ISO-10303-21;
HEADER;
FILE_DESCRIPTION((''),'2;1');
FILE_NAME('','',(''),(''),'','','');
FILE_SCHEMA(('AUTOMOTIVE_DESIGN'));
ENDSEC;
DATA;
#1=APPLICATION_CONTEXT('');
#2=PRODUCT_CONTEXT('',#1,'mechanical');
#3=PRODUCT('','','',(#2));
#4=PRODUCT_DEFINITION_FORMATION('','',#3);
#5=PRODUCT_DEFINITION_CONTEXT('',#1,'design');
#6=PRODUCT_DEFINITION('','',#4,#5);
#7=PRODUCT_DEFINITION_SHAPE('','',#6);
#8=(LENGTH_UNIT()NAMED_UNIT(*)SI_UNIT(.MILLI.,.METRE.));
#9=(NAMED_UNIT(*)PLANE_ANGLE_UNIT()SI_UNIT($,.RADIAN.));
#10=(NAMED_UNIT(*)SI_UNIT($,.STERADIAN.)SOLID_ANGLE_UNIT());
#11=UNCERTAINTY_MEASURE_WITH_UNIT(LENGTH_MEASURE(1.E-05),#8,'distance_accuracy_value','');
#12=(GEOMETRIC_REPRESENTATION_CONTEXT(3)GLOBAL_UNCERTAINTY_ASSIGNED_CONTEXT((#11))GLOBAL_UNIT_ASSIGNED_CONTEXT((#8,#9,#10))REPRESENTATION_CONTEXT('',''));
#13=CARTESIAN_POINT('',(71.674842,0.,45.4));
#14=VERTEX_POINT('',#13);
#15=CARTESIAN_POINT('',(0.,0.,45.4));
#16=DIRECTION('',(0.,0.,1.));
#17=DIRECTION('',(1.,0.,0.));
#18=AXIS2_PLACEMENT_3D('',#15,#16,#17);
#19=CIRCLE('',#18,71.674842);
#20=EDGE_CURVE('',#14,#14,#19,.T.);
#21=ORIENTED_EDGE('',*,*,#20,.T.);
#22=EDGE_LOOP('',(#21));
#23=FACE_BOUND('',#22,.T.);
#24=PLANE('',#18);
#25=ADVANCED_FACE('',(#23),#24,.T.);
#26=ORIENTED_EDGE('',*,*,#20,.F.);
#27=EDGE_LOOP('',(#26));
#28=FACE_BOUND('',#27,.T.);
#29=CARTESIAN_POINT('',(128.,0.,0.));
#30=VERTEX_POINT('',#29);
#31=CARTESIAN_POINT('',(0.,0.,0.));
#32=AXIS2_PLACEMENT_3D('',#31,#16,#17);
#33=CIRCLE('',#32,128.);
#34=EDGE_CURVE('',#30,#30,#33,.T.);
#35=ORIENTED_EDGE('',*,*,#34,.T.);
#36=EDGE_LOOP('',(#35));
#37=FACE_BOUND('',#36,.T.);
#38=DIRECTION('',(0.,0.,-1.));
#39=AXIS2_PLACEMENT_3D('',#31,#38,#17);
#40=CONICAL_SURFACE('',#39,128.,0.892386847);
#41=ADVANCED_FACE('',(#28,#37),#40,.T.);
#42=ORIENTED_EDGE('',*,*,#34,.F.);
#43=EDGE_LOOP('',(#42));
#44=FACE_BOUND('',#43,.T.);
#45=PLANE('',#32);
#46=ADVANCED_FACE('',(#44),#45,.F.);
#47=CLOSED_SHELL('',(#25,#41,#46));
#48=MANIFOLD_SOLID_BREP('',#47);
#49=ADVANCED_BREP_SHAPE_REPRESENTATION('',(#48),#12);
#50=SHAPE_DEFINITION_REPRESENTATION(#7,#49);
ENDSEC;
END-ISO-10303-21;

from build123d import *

# Parameters (mm, degrees)
SKETCH1_R           = 128
BOSS_EXTRUDE1_DEPTH = 45.4
BOSS_EXTRUDE1_TAPER = 51.13


with BuildPart() as part:
    # Sketch1 → Boss-Extrude1 (new body)
    with BuildSketch(Plane.XY):
        Circle(SKETCH1_R)
    extrude(amount=BOSS_EXTRUDE1_DEPTH, taper=BOSS_EXTRUDE1_TAPER)


solid = part.part
